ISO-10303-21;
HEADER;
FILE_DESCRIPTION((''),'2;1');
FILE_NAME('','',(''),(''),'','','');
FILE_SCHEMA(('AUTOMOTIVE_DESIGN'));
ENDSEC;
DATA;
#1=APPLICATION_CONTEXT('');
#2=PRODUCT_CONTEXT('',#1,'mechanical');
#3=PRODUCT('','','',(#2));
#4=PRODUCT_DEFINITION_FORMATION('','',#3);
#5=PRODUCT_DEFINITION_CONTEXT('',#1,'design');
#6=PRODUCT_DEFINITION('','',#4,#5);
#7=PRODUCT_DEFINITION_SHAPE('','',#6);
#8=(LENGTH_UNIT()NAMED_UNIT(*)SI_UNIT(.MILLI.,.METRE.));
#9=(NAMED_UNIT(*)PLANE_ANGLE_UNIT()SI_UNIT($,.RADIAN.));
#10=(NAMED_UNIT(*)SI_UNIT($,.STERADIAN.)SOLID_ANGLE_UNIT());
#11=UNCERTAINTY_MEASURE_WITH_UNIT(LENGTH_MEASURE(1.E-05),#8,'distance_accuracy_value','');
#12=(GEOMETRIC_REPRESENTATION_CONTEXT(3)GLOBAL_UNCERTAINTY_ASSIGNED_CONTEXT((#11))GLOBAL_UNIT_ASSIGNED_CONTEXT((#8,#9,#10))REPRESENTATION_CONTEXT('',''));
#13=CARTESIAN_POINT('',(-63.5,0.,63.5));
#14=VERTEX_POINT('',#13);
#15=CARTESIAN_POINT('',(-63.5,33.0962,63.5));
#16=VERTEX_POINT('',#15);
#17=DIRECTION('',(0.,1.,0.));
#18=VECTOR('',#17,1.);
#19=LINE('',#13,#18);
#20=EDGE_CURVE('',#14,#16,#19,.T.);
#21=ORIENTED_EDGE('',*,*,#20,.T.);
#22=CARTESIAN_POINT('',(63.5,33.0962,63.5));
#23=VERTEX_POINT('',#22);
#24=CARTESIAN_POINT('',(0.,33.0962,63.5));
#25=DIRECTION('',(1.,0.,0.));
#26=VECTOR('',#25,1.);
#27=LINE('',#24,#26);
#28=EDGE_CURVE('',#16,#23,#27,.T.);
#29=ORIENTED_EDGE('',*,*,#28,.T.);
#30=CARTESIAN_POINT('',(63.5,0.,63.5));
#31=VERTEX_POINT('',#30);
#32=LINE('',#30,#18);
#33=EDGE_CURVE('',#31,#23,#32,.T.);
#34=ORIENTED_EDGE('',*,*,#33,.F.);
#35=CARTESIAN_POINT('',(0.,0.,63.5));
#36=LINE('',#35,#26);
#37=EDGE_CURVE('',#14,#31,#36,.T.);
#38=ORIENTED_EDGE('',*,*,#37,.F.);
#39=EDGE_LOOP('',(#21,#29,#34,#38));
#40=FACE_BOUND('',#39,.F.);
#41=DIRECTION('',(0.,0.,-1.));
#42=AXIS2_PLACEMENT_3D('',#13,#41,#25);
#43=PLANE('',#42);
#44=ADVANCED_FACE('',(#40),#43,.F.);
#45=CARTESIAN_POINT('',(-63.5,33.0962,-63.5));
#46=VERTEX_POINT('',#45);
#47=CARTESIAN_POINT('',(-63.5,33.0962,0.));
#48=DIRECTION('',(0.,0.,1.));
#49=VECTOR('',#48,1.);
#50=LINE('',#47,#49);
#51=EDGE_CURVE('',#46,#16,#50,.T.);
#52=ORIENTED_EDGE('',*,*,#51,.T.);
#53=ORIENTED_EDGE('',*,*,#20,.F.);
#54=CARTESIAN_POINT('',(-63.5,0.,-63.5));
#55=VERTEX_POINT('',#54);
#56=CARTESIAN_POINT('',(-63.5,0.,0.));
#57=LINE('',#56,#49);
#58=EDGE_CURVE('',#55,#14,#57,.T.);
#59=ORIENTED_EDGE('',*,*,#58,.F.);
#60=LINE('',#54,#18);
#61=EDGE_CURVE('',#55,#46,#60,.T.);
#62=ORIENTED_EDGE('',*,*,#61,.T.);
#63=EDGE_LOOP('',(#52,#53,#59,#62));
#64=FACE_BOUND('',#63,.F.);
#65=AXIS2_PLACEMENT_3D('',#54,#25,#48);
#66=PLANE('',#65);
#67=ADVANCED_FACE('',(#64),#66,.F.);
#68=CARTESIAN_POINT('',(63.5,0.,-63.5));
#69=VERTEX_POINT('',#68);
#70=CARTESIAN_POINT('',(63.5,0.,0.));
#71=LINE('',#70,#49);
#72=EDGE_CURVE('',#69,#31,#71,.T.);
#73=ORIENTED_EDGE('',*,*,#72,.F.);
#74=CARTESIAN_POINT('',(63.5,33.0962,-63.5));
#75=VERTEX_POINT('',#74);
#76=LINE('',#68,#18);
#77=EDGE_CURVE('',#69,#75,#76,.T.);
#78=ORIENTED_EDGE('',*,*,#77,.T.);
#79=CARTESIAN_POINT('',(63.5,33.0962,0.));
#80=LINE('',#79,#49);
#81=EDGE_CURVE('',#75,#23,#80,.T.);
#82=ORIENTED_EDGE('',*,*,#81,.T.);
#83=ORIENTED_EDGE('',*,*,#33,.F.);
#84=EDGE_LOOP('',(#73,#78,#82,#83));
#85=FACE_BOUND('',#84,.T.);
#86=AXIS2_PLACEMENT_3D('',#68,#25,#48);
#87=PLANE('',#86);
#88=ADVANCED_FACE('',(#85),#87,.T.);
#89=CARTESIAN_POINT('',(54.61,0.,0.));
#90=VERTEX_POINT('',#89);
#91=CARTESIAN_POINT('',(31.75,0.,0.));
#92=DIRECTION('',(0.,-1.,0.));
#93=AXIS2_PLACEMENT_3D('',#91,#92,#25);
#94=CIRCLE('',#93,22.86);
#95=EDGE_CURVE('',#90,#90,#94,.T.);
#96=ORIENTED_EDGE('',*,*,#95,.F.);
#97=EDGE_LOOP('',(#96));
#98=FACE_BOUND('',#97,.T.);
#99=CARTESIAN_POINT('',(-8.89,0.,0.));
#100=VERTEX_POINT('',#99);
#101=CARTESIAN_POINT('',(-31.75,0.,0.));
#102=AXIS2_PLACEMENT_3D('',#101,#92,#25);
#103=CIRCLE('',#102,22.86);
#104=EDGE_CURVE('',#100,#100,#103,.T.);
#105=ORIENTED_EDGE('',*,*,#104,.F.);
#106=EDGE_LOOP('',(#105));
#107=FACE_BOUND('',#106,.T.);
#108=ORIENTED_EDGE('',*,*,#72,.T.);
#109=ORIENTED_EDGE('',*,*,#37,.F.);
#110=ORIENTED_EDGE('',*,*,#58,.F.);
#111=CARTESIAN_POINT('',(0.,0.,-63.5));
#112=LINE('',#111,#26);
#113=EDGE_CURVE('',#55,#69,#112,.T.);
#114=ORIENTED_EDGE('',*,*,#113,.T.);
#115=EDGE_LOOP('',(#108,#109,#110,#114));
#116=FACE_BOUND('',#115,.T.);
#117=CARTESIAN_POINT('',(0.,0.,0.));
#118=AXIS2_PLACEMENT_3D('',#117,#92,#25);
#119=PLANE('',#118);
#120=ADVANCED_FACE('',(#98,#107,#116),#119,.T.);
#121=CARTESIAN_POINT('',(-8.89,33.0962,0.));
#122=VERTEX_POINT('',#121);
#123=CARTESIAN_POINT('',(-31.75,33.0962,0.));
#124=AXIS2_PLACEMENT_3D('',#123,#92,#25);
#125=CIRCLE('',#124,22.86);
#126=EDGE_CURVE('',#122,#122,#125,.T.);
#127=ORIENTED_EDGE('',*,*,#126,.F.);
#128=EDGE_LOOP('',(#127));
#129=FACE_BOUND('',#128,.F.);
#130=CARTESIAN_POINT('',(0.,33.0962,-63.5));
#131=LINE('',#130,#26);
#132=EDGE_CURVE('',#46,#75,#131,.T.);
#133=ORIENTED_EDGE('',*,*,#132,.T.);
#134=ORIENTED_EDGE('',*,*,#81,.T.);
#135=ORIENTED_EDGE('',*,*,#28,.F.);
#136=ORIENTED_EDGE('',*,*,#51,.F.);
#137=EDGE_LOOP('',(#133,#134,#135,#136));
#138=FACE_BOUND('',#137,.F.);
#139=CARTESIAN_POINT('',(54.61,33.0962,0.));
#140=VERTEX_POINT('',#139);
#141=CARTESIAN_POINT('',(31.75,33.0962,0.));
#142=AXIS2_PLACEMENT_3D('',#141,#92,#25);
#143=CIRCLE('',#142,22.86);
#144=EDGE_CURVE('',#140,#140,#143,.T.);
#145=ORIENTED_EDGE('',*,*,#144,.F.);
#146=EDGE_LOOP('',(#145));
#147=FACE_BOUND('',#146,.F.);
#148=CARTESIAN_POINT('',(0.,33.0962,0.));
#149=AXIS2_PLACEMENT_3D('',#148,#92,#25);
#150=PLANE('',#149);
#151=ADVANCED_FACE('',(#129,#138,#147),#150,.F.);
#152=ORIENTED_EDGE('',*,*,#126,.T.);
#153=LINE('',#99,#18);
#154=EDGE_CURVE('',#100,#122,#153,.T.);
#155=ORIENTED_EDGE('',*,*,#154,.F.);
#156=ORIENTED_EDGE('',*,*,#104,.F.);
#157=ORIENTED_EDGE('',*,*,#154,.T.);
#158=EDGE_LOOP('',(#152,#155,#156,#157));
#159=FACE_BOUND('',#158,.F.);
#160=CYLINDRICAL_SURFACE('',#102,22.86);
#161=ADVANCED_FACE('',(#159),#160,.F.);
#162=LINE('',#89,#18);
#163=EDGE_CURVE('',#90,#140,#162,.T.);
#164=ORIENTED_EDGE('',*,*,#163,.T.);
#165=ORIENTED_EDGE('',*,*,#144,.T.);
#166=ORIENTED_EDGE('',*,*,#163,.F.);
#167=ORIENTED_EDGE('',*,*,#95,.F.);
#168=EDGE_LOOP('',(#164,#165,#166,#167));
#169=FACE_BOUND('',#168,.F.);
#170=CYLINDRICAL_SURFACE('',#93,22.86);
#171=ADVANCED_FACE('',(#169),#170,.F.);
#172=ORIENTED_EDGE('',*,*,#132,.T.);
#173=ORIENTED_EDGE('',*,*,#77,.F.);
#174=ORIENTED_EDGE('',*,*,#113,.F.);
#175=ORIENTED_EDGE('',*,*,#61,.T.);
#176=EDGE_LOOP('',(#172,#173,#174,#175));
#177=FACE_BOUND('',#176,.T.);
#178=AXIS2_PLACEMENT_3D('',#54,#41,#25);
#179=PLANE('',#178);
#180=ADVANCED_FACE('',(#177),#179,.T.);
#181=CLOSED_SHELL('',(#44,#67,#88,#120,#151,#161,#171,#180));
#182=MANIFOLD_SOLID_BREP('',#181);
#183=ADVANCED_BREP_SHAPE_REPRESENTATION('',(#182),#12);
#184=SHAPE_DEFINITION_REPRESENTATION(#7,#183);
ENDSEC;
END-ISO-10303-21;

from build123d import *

# Parameters (mm, degrees)
F0_W     = 127
F0_H     = 127
F0_R     = 22.86
F1_DEPTH = 33.0962


with BuildPart() as f1:
    # F0 (on Front) → F1 (new body)
    with BuildSketch(Plane.XZ):
        Rectangle(F0_W, F0_H)
        with Locations((-31.75, 0)):
            Circle(F0_R, mode=Mode.SUBTRACT)
        with Locations((31.75, 0)):
            Circle(F0_R, mode=Mode.SUBTRACT)
    extrude(amount=-F1_DEPTH)


solid = f1.part
